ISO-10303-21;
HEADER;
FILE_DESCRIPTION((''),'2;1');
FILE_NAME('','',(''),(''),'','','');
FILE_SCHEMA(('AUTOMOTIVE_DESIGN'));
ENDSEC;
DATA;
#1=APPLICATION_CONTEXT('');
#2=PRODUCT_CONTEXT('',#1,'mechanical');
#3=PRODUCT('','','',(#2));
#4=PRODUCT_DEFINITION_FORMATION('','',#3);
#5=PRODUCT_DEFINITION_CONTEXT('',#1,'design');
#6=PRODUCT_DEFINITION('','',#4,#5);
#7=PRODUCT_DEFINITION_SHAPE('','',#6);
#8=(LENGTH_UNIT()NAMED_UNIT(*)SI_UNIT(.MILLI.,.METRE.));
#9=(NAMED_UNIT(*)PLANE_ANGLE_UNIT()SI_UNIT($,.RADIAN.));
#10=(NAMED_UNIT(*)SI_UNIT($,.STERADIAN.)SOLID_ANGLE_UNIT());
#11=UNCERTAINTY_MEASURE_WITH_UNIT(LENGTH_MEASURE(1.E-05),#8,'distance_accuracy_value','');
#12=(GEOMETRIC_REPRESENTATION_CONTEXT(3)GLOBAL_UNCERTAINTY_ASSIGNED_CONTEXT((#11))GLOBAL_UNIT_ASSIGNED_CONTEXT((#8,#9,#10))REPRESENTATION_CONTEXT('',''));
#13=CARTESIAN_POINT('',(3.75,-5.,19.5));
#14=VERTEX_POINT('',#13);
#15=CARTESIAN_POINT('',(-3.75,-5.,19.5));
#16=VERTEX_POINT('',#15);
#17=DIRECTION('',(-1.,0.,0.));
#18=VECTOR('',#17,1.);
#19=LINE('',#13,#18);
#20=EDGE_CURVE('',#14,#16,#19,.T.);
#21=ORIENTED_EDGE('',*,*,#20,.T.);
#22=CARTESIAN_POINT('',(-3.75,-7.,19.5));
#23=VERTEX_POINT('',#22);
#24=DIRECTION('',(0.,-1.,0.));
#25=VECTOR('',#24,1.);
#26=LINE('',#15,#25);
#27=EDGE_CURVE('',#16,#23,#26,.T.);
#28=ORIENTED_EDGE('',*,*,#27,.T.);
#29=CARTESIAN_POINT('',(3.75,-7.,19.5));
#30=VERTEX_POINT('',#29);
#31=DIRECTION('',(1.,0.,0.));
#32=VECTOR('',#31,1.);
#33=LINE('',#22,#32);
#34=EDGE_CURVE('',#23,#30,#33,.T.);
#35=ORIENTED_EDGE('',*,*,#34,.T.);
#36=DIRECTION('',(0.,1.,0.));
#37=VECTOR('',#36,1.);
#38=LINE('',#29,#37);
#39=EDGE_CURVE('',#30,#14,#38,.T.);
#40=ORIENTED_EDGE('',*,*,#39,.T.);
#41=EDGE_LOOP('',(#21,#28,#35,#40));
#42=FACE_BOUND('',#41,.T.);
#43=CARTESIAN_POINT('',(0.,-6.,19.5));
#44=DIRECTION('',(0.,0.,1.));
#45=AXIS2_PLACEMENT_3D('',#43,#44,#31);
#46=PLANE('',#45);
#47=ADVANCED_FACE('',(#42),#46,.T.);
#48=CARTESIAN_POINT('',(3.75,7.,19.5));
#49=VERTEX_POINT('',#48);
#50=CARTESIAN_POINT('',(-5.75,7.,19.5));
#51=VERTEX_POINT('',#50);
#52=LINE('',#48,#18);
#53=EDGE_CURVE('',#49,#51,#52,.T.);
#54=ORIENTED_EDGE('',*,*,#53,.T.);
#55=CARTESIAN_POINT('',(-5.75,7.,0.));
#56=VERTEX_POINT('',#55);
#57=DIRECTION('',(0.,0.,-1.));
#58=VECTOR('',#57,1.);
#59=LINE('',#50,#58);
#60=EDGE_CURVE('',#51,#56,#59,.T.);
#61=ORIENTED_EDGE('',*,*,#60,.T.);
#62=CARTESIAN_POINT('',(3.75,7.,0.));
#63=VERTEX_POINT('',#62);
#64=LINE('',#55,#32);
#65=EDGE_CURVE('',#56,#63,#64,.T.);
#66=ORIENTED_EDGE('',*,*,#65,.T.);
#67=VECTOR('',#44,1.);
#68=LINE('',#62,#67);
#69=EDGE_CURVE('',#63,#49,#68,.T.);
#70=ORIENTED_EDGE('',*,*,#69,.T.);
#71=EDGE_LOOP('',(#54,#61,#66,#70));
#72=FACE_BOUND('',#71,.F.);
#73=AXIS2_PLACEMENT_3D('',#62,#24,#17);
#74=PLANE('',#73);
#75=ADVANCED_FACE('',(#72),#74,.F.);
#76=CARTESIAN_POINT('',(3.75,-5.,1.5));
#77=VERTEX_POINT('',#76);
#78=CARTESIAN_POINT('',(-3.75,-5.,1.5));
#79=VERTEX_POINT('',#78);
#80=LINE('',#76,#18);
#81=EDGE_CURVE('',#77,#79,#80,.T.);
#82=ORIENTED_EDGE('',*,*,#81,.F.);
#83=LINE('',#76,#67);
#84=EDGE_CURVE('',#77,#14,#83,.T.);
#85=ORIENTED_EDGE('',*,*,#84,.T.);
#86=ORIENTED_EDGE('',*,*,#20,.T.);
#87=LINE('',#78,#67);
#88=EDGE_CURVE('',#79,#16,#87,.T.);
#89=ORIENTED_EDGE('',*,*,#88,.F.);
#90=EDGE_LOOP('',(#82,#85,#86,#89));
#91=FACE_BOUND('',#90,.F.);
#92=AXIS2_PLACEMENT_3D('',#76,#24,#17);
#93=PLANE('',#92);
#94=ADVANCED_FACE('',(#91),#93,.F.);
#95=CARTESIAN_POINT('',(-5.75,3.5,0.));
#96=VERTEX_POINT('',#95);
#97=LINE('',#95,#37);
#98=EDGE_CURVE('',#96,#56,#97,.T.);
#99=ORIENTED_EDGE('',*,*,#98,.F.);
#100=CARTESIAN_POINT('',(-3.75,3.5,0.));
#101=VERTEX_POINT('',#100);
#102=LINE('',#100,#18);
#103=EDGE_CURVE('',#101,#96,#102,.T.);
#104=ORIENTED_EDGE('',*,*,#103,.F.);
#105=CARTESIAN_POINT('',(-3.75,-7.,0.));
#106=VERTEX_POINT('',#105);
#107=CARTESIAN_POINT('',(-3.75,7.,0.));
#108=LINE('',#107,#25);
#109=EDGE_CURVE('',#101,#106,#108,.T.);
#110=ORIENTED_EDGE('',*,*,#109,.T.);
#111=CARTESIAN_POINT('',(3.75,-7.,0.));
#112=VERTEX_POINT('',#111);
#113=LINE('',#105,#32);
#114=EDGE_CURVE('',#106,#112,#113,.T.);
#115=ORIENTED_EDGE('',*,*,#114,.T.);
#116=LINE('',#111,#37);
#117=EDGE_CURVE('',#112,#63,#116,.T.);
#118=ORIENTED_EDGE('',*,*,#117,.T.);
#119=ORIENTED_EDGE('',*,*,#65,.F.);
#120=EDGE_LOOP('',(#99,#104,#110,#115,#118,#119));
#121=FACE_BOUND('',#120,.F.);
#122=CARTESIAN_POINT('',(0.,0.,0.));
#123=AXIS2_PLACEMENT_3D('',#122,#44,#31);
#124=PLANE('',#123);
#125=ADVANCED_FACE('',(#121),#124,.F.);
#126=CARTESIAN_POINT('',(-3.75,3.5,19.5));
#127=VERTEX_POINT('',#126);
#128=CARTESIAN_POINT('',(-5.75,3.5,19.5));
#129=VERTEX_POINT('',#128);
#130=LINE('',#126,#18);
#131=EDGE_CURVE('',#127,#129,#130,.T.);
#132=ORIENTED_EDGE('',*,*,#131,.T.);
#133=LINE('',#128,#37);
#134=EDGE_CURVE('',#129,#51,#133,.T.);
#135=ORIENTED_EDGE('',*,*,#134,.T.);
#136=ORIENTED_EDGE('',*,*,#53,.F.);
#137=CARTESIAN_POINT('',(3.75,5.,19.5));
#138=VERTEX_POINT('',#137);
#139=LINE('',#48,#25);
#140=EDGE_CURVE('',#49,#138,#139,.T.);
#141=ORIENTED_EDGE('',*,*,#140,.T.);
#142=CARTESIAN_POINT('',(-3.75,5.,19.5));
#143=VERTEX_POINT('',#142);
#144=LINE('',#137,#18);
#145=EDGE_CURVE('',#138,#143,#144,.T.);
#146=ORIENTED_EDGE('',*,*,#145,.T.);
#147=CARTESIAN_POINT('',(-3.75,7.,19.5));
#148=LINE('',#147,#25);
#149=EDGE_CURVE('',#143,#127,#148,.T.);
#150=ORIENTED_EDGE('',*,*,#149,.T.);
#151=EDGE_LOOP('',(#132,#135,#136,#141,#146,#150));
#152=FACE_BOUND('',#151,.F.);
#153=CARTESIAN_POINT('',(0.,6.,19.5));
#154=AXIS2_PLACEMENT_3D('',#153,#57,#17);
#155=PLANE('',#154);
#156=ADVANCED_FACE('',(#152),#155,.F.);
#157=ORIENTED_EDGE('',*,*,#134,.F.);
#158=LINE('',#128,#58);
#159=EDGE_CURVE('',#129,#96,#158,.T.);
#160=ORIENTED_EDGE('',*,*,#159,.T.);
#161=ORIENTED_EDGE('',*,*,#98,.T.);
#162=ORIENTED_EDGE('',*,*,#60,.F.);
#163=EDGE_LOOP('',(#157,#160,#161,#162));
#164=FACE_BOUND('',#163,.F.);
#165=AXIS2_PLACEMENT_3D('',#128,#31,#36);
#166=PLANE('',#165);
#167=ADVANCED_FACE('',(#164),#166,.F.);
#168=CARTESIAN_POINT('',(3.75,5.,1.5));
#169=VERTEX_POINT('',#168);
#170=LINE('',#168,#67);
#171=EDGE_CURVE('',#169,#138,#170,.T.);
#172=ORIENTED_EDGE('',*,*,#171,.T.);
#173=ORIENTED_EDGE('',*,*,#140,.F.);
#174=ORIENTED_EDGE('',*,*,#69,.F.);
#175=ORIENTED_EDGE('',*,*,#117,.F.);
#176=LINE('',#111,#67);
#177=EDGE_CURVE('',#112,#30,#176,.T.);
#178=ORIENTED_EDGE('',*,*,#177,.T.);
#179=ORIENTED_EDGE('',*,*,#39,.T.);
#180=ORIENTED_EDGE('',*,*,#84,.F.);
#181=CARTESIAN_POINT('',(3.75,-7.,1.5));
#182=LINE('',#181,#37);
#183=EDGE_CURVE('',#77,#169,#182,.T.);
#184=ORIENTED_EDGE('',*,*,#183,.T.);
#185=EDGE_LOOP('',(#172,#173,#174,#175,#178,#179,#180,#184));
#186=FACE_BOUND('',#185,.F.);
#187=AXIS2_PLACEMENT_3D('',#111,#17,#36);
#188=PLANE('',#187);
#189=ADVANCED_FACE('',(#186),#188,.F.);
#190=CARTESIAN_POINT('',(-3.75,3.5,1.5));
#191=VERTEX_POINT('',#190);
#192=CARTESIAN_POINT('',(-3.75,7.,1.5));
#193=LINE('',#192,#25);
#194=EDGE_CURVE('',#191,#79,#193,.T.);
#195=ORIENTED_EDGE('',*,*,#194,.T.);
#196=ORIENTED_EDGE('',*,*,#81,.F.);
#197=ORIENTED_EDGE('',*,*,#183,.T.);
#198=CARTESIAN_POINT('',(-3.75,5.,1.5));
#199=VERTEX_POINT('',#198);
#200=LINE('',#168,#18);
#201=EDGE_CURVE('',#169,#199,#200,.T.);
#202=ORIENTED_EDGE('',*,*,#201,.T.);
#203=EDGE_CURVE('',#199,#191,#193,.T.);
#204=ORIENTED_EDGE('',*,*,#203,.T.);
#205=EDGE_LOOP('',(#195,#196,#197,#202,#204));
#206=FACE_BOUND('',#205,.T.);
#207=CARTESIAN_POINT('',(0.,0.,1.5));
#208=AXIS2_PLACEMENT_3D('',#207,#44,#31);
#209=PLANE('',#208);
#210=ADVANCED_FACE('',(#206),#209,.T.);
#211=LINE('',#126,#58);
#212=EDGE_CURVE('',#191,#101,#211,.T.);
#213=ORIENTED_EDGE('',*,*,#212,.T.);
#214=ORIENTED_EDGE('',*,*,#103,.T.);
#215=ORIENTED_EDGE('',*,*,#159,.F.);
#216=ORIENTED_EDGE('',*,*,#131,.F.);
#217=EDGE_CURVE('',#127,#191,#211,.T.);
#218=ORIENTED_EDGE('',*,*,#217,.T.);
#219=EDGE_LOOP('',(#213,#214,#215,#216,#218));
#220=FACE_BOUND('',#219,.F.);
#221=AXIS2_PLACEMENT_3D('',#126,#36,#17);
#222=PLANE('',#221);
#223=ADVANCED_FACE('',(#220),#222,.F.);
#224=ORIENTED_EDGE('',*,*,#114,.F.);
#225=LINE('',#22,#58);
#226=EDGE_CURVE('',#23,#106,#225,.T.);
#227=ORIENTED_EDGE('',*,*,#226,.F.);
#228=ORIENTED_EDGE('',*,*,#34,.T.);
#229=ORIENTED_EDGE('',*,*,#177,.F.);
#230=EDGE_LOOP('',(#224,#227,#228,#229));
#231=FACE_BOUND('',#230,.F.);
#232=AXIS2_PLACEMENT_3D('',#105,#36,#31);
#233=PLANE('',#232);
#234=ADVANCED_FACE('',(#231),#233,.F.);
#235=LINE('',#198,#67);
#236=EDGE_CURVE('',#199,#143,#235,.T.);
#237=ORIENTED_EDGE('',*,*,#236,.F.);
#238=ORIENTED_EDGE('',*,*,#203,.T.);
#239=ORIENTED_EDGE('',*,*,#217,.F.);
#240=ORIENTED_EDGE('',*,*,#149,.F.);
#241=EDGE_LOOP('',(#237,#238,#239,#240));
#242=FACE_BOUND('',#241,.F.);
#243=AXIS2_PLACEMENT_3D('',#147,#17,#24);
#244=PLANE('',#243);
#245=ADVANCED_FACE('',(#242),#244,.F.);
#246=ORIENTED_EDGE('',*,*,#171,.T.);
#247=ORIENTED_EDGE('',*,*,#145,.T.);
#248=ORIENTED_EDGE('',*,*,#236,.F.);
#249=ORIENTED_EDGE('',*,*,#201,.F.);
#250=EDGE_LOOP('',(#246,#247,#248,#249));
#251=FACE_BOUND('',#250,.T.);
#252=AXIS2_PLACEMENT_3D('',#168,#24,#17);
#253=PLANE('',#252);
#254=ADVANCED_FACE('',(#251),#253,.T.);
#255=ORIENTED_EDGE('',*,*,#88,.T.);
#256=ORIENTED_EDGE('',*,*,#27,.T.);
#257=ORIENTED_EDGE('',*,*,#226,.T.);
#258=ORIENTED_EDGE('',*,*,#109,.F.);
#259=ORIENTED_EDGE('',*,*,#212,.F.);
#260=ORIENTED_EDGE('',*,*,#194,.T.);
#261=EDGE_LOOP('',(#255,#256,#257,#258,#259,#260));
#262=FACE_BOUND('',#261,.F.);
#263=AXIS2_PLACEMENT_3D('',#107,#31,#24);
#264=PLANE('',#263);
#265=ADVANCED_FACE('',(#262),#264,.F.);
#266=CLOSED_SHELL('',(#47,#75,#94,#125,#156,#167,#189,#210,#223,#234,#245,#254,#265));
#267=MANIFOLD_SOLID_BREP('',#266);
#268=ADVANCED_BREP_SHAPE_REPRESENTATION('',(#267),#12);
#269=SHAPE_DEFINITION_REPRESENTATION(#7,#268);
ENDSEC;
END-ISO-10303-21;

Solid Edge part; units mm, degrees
sketch "Sketch1" plane through (0, 0, 0) normal (0, 0, 1) x (1, 0, 0)
  line L0 (-3.75, -7) -> (3.75, -7)
  line L1 (3.75, -7) -> (3.75, 7)
  line L2 (3.75, 7) -> (-3.75, 7)
  line L3 (-3.75, 7) -> (-3.75, -7)
  dimension "D1" = 14
  dimension "D2" = 7.5
extrude "Protrusion1" add sketch "Sketch1" along normal blind 1.5
sketch "Sketch2" plane through (0, 0, 1.5) normal (0, 0, 1) x (1, 0, 0)
  line L0 (-3.75, 7) -> (3.75, 7)
  line L1 (3.75, 7) -> (3.75, 5)
  line L2 (3.75, 5) -> (-3.75, 5)
  line L3 (-3.75, 5) -> (-3.75, 7)
  line L4 (-3.75, -7) -> (3.75, -7)
  line L5 (3.75, -7) -> (3.75, -5)
  line L6 (3.75, -5) -> (-3.75, -5)
  line L7 (-3.75, -5) -> (-3.75, -7)
  dimension "D1" = 2
  dimension "D2" = 2
extrude "Extrusionsausprägung_2" add sketch "Sketch2" along normal blind 18
sketch "Sketch3" plane through (0, 6, 19.5) normal (0, 0, 1) x (0, 1, 0)
  line L0 (1, 3.75) -> (-2.5, 3.75)
  line L1 (-2.5, 3.75) -> (-2.5, 5.75)
  line L2 (-2.5, 5.75) -> (1, 5.75)
  line L3 (1, 5.75) -> (1, 3.75)
  dimension "D1" = 2
  dimension "D2" = 3.5
extrude "Protrusion2" add sketch "Sketch3" against normal up to vertex (19.5 mm away)
properties material "Nylon, allgemein"
